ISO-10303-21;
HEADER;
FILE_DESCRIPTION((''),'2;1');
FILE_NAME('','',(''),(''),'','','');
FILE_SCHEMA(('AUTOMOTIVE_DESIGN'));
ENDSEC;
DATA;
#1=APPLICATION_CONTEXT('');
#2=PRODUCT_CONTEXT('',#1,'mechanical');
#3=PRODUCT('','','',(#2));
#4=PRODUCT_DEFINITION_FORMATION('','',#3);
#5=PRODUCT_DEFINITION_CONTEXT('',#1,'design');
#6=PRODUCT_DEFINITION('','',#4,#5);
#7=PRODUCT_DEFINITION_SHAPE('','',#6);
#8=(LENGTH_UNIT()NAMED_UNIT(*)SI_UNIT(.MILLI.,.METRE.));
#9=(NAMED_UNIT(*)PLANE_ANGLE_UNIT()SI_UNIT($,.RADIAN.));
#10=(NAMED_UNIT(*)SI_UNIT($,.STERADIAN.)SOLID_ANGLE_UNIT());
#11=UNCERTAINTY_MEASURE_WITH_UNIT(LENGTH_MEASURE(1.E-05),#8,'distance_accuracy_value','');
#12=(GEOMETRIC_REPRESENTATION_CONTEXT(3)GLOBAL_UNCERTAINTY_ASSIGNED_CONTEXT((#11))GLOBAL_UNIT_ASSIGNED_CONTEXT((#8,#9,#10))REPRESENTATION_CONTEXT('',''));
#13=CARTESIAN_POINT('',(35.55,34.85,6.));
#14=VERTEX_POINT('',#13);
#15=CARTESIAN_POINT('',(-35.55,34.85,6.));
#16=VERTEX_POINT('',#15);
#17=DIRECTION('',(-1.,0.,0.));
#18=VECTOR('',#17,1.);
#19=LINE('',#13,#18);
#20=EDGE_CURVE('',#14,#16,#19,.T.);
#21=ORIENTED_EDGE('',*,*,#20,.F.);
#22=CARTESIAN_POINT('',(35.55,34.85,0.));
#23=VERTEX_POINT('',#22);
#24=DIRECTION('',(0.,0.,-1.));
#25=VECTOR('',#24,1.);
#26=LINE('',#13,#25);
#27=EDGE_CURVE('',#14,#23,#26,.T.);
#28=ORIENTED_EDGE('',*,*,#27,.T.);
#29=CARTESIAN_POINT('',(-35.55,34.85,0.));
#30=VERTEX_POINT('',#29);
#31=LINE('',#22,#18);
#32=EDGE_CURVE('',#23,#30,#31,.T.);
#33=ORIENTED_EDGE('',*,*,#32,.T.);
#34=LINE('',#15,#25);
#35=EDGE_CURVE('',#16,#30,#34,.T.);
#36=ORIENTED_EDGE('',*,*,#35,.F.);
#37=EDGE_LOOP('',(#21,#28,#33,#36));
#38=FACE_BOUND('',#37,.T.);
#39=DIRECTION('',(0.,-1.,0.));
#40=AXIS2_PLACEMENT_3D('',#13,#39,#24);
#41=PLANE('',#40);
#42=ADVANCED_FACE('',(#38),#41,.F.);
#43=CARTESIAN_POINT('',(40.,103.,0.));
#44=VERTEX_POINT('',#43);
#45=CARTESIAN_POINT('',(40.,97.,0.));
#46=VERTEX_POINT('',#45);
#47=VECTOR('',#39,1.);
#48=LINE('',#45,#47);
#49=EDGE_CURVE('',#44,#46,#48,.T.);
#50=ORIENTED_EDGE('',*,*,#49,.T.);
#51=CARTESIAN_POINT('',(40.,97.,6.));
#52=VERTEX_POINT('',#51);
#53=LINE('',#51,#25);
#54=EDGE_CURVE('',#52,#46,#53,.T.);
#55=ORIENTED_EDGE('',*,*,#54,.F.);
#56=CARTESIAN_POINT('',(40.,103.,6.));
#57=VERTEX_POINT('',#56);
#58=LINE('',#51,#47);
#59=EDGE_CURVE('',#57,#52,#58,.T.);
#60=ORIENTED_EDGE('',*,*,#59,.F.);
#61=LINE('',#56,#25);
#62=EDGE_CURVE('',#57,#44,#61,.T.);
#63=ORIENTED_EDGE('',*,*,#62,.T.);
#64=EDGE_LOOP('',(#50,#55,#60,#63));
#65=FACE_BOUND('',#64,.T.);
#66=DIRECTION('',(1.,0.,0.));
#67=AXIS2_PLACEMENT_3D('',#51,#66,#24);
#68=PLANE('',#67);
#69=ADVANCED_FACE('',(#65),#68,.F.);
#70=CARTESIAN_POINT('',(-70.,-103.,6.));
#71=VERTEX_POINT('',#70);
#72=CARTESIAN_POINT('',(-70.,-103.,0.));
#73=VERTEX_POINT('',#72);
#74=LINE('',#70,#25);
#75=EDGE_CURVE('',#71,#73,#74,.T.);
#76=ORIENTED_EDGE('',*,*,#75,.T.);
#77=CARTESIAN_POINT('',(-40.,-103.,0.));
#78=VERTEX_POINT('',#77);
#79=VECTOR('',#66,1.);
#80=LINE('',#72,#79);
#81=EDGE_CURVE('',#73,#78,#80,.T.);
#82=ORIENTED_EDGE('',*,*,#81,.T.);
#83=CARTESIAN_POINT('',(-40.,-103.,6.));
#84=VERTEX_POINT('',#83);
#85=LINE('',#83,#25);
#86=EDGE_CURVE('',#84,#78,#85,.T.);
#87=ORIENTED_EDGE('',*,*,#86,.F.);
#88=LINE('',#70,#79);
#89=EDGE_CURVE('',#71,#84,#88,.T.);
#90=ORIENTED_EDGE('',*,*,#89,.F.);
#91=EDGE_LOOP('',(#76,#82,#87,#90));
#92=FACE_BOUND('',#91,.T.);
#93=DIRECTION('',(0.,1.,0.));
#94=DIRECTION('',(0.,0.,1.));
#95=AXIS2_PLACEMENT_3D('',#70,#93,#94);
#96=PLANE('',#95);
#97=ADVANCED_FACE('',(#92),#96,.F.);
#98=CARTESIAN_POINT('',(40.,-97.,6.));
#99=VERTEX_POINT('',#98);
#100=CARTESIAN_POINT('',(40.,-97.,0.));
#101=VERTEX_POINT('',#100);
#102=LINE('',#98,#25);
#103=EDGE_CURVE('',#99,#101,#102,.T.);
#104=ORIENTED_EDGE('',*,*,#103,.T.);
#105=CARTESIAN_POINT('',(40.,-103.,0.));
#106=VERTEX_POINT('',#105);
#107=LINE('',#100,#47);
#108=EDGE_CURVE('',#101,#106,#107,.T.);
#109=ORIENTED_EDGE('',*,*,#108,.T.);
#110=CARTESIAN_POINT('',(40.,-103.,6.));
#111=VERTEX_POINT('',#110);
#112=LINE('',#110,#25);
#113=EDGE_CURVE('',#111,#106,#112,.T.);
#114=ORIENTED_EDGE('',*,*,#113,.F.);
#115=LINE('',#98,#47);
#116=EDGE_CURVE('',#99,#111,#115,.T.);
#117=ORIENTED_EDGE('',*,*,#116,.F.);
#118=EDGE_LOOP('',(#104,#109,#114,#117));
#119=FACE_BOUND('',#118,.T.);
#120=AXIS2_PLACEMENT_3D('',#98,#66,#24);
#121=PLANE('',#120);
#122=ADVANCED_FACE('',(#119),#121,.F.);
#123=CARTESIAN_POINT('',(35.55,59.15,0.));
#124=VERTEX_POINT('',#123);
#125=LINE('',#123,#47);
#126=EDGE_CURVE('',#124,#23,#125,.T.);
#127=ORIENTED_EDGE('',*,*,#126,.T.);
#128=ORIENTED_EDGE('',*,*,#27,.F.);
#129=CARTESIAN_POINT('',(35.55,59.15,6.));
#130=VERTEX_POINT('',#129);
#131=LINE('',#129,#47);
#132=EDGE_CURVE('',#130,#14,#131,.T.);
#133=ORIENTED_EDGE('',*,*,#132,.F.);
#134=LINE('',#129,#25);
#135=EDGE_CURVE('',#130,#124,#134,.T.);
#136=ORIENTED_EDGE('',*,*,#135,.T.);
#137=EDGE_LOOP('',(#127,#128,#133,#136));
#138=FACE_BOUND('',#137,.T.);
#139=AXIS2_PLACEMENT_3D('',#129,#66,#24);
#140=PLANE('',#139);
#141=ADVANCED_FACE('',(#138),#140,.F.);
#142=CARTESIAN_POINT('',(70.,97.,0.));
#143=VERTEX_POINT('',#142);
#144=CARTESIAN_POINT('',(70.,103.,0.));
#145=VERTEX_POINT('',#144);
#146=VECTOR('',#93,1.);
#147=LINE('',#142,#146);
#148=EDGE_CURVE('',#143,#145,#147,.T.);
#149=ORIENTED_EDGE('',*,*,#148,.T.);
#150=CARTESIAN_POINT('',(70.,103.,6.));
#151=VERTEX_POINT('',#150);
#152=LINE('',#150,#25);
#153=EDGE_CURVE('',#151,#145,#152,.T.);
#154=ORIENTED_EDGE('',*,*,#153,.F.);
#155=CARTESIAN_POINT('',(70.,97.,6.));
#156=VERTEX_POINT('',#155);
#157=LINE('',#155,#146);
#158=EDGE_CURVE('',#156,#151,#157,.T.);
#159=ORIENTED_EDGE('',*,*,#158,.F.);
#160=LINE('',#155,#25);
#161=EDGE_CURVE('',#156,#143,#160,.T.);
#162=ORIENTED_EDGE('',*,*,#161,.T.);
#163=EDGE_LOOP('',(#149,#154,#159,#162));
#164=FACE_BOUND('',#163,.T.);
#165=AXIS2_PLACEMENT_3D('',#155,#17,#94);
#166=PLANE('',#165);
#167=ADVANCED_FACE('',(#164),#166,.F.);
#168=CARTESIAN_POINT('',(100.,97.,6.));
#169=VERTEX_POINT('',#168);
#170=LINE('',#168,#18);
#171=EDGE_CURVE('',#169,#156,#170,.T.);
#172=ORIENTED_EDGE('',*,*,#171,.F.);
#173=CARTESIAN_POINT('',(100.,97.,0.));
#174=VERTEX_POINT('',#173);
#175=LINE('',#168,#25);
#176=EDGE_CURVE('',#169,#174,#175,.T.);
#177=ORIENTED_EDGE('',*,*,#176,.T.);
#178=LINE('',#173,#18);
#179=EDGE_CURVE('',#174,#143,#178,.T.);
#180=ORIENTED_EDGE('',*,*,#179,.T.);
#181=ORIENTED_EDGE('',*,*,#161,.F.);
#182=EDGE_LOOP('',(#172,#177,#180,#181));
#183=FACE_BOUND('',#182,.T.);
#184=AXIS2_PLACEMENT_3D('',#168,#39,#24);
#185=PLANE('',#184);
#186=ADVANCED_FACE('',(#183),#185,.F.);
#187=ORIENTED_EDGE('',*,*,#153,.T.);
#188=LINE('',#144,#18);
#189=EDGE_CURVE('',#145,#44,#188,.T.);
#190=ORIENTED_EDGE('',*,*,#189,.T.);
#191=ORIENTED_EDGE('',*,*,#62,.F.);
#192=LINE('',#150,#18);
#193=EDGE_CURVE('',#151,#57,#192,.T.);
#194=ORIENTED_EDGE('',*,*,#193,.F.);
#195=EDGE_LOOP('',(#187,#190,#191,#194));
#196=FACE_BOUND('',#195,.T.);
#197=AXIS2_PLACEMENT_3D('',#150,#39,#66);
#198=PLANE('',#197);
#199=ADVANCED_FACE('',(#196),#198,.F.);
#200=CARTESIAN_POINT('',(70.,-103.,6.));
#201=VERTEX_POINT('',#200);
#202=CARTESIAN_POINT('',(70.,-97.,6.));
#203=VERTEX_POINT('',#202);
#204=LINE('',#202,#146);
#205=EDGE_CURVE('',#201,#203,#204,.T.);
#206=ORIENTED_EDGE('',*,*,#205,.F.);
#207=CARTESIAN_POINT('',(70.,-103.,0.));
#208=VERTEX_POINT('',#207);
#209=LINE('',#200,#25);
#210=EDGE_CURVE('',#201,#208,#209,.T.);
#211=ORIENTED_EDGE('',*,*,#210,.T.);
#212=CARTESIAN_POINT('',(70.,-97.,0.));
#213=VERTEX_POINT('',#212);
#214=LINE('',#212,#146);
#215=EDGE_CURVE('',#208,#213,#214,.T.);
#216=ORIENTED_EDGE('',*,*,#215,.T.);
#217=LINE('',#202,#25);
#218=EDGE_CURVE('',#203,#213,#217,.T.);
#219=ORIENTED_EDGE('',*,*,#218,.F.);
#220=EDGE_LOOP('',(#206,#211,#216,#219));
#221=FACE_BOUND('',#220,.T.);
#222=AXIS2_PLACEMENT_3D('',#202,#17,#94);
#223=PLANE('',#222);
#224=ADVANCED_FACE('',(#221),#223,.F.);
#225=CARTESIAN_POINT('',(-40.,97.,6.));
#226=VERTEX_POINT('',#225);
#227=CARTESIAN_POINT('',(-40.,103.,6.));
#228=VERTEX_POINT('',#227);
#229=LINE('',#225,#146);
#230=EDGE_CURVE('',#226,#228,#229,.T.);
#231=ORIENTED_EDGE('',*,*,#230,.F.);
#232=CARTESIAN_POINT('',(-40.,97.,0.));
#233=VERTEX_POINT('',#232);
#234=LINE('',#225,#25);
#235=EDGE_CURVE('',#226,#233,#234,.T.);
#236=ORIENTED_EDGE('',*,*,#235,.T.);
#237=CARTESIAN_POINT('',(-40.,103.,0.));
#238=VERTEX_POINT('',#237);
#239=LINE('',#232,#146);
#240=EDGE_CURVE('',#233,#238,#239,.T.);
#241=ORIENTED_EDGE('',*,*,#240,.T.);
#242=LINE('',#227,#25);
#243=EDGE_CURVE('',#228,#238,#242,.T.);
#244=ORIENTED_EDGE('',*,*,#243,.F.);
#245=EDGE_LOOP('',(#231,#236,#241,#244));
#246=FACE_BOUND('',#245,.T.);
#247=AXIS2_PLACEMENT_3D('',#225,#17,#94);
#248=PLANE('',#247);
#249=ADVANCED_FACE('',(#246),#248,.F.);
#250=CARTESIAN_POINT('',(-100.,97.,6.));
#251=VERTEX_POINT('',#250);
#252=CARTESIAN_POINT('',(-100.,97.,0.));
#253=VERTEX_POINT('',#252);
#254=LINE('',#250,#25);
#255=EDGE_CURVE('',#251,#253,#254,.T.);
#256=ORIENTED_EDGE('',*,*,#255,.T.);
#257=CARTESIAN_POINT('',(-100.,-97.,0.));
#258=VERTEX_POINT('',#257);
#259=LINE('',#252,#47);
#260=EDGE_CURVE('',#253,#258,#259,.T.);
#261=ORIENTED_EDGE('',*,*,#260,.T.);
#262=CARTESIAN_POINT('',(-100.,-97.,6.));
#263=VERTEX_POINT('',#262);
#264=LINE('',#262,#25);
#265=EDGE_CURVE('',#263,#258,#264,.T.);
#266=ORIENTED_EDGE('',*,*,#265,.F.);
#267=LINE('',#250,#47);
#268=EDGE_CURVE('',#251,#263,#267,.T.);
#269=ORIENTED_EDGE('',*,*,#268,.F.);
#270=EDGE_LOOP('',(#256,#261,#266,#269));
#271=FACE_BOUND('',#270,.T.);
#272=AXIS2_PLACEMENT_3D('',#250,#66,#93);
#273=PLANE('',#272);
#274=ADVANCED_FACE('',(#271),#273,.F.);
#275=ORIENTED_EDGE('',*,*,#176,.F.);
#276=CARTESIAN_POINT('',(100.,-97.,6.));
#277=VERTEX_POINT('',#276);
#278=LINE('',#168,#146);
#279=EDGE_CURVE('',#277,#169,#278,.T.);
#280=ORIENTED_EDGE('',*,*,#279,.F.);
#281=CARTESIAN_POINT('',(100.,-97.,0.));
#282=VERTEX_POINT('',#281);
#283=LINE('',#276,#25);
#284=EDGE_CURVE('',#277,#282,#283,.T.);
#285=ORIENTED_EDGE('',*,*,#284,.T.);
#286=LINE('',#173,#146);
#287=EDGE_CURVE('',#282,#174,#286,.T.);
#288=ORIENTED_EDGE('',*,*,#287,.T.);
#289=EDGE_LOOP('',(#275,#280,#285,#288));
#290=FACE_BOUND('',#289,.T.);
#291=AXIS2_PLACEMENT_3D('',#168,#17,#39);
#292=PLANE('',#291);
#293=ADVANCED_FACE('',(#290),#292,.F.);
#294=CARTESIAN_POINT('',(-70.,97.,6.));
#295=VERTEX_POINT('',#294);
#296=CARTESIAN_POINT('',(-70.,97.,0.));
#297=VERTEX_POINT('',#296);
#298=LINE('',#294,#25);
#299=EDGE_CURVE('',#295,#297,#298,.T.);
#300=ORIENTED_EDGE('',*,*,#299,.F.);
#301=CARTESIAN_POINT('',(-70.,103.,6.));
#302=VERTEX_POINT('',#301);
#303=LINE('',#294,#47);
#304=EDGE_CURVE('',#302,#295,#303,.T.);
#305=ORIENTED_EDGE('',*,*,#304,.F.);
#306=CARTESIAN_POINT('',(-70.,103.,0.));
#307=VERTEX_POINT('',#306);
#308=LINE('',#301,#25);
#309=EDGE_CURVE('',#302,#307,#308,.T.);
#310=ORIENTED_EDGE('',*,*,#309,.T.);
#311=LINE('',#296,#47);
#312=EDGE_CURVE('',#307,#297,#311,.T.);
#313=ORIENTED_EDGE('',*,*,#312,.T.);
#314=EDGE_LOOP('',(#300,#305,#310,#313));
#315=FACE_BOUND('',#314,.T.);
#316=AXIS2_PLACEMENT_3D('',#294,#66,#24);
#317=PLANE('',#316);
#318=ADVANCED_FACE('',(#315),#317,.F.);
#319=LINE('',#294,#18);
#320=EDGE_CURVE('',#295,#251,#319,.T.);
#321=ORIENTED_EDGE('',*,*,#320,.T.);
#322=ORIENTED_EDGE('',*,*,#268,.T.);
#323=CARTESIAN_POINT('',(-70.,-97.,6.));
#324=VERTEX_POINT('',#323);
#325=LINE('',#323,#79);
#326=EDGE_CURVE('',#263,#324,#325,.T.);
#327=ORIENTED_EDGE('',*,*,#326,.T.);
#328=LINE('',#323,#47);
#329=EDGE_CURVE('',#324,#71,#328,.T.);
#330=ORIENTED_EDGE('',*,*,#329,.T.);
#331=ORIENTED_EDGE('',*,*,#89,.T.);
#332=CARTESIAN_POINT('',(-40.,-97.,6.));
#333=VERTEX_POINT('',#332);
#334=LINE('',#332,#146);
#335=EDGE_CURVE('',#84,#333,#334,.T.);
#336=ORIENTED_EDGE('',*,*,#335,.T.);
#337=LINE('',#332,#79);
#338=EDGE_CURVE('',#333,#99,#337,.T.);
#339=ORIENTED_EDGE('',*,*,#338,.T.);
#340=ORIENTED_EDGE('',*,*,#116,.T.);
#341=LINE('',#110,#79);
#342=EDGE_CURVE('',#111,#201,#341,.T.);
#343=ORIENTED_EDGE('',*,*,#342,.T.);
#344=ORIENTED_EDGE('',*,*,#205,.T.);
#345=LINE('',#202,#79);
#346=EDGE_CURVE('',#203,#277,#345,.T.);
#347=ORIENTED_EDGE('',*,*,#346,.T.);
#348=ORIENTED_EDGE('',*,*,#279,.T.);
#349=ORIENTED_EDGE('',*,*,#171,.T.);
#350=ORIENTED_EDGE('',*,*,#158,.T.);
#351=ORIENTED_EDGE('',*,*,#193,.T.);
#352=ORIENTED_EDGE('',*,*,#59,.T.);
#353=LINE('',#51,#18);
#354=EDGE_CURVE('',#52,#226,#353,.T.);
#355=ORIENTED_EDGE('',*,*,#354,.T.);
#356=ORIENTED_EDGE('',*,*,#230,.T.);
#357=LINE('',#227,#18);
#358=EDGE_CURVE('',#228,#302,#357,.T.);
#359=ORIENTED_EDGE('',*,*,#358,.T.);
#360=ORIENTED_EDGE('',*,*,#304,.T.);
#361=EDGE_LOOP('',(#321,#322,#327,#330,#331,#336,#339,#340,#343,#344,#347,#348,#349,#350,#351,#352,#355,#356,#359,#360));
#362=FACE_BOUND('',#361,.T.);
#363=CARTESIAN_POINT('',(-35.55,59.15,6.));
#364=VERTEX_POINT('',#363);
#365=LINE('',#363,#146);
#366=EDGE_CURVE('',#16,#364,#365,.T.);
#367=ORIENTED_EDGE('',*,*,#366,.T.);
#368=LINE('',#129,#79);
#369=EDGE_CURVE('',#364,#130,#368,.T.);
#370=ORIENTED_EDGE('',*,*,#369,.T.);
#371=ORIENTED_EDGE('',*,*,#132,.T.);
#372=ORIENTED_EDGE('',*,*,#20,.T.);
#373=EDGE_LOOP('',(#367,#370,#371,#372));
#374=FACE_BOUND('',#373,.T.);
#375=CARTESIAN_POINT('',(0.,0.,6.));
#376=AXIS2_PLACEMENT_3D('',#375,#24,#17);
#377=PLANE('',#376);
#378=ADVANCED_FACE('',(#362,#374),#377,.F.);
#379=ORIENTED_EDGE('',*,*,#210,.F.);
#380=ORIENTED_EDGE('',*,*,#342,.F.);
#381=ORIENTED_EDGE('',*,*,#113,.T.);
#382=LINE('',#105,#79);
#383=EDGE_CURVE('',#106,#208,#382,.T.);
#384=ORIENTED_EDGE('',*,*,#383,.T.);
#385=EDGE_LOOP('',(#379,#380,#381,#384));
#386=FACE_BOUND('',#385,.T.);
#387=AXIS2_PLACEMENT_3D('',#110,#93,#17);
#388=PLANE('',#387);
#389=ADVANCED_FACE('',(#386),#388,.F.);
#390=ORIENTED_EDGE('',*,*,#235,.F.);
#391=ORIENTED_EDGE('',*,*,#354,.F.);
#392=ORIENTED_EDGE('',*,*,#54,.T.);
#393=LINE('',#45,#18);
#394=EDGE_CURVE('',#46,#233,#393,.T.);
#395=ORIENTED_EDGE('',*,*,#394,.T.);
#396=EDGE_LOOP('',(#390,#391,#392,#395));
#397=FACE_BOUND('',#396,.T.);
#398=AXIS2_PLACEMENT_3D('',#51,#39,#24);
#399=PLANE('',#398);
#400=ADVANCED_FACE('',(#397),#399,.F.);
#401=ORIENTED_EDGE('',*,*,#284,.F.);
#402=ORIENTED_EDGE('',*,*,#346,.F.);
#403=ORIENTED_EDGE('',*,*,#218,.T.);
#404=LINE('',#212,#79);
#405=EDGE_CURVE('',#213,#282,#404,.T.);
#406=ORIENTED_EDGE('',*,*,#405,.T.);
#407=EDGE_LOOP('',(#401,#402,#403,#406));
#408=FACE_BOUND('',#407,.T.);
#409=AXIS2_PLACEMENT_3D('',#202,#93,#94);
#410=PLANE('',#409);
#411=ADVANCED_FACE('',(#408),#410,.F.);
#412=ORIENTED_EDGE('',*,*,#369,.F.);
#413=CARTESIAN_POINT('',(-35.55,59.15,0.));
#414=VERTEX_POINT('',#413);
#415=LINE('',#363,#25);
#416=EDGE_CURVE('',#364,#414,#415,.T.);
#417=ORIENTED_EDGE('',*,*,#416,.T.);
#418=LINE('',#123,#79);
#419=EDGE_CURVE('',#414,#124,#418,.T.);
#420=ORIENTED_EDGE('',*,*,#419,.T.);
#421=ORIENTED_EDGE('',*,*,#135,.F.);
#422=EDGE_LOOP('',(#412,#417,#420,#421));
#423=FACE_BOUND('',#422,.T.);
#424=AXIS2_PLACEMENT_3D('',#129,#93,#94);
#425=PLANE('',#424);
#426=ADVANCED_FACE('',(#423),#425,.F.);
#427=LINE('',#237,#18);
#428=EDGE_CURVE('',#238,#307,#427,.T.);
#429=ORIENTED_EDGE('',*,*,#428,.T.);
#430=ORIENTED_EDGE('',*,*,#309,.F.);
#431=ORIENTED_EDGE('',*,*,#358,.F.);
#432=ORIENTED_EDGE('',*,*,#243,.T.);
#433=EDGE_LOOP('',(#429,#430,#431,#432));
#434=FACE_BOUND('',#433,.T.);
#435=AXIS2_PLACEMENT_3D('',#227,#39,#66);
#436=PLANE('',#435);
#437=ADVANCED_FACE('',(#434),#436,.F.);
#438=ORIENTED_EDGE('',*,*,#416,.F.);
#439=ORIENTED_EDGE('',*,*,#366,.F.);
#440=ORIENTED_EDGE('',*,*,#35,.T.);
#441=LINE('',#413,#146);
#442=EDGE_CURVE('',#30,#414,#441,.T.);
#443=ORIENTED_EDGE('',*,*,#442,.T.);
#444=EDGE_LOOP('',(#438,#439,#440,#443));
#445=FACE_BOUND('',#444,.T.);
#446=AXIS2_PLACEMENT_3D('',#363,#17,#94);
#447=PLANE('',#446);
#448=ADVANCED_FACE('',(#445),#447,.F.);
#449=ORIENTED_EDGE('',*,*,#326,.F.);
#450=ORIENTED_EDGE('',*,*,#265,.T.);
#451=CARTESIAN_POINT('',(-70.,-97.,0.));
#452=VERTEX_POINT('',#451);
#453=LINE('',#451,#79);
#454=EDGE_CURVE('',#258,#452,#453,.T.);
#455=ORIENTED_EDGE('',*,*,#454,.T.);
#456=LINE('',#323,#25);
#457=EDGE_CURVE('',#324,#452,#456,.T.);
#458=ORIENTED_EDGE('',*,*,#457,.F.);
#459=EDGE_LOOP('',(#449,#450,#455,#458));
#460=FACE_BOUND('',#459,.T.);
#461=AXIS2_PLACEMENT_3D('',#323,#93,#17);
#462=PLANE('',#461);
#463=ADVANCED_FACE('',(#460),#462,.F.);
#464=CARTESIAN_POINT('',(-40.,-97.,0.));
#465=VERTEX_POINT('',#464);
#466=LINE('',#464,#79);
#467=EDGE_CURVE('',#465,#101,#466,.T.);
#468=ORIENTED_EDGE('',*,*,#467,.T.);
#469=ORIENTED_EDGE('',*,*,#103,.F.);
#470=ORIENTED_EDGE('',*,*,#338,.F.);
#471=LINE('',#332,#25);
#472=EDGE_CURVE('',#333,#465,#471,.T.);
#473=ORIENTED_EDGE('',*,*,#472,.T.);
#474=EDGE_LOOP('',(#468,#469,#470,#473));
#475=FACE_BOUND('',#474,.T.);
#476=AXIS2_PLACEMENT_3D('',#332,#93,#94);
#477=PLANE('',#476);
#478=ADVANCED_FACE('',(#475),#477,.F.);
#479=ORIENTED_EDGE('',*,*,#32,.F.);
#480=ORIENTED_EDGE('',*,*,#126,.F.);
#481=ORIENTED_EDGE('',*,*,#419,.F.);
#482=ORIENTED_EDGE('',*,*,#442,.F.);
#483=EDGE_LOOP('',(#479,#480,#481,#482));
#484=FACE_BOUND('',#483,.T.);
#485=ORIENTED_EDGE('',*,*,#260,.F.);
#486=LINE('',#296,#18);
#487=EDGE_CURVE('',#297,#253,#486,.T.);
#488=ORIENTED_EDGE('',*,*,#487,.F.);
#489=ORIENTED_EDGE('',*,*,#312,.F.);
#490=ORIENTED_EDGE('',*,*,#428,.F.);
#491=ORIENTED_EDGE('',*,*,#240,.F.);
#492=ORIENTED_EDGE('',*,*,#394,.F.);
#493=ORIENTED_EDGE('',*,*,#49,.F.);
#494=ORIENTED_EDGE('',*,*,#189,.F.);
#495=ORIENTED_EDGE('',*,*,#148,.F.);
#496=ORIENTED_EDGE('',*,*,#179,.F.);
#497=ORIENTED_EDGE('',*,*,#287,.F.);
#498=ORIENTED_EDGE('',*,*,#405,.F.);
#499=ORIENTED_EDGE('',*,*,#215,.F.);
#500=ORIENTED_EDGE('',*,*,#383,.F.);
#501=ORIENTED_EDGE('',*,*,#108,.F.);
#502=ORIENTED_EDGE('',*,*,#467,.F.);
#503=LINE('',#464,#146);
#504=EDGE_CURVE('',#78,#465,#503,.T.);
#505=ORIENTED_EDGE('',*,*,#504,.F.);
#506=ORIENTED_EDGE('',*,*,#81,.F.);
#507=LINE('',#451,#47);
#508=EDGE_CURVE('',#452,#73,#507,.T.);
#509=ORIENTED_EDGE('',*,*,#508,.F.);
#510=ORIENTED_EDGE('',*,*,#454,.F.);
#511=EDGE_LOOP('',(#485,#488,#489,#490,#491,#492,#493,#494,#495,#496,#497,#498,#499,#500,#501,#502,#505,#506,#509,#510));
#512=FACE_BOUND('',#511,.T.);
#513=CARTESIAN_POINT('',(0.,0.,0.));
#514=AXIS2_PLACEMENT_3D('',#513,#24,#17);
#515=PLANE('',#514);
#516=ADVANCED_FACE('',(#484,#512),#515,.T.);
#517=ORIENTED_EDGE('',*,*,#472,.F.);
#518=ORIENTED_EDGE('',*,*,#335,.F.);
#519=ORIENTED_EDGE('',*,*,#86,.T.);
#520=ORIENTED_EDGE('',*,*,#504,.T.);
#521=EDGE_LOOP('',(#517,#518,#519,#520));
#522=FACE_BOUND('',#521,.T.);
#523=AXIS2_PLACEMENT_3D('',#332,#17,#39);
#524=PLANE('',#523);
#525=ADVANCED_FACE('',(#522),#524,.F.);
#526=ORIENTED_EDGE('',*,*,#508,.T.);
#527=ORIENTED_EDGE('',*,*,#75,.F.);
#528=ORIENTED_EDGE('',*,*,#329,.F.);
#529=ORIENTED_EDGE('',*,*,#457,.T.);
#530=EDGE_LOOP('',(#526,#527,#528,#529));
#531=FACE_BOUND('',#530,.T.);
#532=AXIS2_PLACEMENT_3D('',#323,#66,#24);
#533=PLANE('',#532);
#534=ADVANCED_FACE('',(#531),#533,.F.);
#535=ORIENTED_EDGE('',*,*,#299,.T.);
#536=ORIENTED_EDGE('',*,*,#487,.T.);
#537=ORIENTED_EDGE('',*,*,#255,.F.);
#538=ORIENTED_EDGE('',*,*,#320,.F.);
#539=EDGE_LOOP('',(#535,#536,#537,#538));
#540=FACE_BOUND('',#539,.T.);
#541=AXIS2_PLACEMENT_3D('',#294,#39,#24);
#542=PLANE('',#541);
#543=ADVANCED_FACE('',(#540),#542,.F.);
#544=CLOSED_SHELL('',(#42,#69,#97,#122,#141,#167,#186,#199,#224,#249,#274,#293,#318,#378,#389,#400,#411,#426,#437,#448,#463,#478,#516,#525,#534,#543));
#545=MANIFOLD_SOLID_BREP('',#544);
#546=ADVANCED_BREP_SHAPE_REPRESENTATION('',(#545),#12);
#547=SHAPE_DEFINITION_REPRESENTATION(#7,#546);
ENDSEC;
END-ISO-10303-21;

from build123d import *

# Parameters (mm, degrees)
RESSALTO_EXTRUS_O1_DEPTH = 6
ESBO_O4_W                = 71.1
ESBO_O4_H                = 24.3
CORTE_EXTRUS_O2_DEPTH    = 6


with BuildPart() as part:
    # Esboço1 → Ressalto-extrusão1 (new body)
    with BuildSketch(Plane.XY):
        Polygon((-70, -97), (-100, -97), (-100, 97), (-70, 97), (-70, 103), (-40, 103), (-40, 97), (40, 97), (40, 103), (70, 103), (70, 97), (100, 97), (100, -97), (70, -97), (70, -103), (40, -103), (40, -97), (-40, -97), (-40, -103), (-70, -103), align=None)
    extrude(amount=RESSALTO_EXTRUS_O1_DEPTH)

    # Esboço4 → Corte-extrusão2 (cut)
    with BuildSketch(Plane(origin=(0, 0, 0), x_dir=(-1, 0, 0), z_dir=(0, 0, -1))):
        with Locations((0, 47)):
            Rectangle(ESBO_O4_W, ESBO_O4_H)
    extrude(amount=-CORTE_EXTRUS_O2_DEPTH, mode=Mode.SUBTRACT)


solid = part.part
